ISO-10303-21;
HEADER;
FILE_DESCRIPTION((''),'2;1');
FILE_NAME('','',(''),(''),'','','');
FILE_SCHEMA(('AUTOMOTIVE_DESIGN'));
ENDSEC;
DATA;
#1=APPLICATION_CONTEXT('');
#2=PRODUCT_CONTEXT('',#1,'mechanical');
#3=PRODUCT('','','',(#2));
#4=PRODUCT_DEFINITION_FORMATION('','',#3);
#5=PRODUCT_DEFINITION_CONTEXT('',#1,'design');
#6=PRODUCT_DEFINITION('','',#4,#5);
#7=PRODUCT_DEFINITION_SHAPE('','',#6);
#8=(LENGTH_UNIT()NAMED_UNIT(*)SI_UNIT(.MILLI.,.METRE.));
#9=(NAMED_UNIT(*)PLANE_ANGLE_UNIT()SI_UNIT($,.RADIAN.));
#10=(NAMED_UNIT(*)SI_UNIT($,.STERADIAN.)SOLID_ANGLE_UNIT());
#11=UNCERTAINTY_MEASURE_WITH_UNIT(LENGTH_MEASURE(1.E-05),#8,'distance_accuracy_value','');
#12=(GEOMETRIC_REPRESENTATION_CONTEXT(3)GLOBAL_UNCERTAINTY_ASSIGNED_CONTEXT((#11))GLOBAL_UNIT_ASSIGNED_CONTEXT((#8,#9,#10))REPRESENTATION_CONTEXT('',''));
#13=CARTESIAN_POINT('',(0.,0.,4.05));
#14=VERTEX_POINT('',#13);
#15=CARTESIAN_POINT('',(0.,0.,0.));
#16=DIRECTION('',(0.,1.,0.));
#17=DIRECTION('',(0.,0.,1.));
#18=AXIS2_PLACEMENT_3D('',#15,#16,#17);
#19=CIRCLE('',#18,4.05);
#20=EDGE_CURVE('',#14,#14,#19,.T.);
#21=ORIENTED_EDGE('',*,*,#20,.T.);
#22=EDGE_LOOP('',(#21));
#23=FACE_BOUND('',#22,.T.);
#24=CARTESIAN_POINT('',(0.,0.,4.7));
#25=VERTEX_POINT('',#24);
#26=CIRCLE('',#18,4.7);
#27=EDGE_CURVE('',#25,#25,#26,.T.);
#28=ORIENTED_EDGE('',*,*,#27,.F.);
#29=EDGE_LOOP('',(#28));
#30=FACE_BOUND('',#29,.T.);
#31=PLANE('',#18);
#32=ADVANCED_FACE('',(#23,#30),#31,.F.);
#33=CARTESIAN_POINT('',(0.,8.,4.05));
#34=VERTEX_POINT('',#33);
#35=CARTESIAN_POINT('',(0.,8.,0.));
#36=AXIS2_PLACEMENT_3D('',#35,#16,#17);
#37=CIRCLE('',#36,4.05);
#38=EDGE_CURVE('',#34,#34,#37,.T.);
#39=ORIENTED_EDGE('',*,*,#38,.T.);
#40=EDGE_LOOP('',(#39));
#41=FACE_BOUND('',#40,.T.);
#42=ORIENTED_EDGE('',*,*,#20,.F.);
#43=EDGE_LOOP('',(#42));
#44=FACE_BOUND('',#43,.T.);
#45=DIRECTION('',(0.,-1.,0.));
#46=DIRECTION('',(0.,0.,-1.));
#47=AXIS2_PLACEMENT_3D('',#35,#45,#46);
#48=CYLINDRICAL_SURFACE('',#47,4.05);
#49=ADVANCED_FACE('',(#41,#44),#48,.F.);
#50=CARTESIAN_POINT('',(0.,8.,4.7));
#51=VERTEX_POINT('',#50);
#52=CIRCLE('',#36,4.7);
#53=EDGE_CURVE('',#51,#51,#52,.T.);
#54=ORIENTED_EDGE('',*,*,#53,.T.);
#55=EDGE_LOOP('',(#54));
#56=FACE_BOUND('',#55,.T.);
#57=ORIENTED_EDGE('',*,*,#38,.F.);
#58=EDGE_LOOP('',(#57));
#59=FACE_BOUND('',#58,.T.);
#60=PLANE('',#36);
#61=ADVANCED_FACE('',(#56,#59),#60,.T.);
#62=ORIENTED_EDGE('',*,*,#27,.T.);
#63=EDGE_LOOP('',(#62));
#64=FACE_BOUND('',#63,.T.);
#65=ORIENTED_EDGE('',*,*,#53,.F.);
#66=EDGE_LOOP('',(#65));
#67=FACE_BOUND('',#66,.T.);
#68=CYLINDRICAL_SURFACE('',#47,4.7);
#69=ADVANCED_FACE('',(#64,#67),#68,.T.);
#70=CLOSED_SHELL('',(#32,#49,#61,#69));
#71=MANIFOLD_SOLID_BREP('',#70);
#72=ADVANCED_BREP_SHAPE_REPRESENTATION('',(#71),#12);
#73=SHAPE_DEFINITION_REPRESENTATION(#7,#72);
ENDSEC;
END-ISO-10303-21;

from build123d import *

# Parameters (mm, degrees)
SKETCH1_R           = 4.7
SKETCH1_R_2         = 4.05
BOSS_EXTRUDE1_DEPTH = 8


with BuildPart() as part:
    # Sketch1 → Boss-Extrude1 (new body)
    with BuildSketch(Plane(origin=(0, 0, 0), x_dir=(1, 0, 0), z_dir=(0, 1, 0))):
        with Locations(Location((0, 0, 0), (0, 0, 270))):
            Circle(SKETCH1_R)
        with Locations(Location((0, 0, 0), (0, 0, 270))):
            Circle(SKETCH1_R_2, mode=Mode.SUBTRACT)
    extrude(amount=BOSS_EXTRUDE1_DEPTH)


solid = part.part
